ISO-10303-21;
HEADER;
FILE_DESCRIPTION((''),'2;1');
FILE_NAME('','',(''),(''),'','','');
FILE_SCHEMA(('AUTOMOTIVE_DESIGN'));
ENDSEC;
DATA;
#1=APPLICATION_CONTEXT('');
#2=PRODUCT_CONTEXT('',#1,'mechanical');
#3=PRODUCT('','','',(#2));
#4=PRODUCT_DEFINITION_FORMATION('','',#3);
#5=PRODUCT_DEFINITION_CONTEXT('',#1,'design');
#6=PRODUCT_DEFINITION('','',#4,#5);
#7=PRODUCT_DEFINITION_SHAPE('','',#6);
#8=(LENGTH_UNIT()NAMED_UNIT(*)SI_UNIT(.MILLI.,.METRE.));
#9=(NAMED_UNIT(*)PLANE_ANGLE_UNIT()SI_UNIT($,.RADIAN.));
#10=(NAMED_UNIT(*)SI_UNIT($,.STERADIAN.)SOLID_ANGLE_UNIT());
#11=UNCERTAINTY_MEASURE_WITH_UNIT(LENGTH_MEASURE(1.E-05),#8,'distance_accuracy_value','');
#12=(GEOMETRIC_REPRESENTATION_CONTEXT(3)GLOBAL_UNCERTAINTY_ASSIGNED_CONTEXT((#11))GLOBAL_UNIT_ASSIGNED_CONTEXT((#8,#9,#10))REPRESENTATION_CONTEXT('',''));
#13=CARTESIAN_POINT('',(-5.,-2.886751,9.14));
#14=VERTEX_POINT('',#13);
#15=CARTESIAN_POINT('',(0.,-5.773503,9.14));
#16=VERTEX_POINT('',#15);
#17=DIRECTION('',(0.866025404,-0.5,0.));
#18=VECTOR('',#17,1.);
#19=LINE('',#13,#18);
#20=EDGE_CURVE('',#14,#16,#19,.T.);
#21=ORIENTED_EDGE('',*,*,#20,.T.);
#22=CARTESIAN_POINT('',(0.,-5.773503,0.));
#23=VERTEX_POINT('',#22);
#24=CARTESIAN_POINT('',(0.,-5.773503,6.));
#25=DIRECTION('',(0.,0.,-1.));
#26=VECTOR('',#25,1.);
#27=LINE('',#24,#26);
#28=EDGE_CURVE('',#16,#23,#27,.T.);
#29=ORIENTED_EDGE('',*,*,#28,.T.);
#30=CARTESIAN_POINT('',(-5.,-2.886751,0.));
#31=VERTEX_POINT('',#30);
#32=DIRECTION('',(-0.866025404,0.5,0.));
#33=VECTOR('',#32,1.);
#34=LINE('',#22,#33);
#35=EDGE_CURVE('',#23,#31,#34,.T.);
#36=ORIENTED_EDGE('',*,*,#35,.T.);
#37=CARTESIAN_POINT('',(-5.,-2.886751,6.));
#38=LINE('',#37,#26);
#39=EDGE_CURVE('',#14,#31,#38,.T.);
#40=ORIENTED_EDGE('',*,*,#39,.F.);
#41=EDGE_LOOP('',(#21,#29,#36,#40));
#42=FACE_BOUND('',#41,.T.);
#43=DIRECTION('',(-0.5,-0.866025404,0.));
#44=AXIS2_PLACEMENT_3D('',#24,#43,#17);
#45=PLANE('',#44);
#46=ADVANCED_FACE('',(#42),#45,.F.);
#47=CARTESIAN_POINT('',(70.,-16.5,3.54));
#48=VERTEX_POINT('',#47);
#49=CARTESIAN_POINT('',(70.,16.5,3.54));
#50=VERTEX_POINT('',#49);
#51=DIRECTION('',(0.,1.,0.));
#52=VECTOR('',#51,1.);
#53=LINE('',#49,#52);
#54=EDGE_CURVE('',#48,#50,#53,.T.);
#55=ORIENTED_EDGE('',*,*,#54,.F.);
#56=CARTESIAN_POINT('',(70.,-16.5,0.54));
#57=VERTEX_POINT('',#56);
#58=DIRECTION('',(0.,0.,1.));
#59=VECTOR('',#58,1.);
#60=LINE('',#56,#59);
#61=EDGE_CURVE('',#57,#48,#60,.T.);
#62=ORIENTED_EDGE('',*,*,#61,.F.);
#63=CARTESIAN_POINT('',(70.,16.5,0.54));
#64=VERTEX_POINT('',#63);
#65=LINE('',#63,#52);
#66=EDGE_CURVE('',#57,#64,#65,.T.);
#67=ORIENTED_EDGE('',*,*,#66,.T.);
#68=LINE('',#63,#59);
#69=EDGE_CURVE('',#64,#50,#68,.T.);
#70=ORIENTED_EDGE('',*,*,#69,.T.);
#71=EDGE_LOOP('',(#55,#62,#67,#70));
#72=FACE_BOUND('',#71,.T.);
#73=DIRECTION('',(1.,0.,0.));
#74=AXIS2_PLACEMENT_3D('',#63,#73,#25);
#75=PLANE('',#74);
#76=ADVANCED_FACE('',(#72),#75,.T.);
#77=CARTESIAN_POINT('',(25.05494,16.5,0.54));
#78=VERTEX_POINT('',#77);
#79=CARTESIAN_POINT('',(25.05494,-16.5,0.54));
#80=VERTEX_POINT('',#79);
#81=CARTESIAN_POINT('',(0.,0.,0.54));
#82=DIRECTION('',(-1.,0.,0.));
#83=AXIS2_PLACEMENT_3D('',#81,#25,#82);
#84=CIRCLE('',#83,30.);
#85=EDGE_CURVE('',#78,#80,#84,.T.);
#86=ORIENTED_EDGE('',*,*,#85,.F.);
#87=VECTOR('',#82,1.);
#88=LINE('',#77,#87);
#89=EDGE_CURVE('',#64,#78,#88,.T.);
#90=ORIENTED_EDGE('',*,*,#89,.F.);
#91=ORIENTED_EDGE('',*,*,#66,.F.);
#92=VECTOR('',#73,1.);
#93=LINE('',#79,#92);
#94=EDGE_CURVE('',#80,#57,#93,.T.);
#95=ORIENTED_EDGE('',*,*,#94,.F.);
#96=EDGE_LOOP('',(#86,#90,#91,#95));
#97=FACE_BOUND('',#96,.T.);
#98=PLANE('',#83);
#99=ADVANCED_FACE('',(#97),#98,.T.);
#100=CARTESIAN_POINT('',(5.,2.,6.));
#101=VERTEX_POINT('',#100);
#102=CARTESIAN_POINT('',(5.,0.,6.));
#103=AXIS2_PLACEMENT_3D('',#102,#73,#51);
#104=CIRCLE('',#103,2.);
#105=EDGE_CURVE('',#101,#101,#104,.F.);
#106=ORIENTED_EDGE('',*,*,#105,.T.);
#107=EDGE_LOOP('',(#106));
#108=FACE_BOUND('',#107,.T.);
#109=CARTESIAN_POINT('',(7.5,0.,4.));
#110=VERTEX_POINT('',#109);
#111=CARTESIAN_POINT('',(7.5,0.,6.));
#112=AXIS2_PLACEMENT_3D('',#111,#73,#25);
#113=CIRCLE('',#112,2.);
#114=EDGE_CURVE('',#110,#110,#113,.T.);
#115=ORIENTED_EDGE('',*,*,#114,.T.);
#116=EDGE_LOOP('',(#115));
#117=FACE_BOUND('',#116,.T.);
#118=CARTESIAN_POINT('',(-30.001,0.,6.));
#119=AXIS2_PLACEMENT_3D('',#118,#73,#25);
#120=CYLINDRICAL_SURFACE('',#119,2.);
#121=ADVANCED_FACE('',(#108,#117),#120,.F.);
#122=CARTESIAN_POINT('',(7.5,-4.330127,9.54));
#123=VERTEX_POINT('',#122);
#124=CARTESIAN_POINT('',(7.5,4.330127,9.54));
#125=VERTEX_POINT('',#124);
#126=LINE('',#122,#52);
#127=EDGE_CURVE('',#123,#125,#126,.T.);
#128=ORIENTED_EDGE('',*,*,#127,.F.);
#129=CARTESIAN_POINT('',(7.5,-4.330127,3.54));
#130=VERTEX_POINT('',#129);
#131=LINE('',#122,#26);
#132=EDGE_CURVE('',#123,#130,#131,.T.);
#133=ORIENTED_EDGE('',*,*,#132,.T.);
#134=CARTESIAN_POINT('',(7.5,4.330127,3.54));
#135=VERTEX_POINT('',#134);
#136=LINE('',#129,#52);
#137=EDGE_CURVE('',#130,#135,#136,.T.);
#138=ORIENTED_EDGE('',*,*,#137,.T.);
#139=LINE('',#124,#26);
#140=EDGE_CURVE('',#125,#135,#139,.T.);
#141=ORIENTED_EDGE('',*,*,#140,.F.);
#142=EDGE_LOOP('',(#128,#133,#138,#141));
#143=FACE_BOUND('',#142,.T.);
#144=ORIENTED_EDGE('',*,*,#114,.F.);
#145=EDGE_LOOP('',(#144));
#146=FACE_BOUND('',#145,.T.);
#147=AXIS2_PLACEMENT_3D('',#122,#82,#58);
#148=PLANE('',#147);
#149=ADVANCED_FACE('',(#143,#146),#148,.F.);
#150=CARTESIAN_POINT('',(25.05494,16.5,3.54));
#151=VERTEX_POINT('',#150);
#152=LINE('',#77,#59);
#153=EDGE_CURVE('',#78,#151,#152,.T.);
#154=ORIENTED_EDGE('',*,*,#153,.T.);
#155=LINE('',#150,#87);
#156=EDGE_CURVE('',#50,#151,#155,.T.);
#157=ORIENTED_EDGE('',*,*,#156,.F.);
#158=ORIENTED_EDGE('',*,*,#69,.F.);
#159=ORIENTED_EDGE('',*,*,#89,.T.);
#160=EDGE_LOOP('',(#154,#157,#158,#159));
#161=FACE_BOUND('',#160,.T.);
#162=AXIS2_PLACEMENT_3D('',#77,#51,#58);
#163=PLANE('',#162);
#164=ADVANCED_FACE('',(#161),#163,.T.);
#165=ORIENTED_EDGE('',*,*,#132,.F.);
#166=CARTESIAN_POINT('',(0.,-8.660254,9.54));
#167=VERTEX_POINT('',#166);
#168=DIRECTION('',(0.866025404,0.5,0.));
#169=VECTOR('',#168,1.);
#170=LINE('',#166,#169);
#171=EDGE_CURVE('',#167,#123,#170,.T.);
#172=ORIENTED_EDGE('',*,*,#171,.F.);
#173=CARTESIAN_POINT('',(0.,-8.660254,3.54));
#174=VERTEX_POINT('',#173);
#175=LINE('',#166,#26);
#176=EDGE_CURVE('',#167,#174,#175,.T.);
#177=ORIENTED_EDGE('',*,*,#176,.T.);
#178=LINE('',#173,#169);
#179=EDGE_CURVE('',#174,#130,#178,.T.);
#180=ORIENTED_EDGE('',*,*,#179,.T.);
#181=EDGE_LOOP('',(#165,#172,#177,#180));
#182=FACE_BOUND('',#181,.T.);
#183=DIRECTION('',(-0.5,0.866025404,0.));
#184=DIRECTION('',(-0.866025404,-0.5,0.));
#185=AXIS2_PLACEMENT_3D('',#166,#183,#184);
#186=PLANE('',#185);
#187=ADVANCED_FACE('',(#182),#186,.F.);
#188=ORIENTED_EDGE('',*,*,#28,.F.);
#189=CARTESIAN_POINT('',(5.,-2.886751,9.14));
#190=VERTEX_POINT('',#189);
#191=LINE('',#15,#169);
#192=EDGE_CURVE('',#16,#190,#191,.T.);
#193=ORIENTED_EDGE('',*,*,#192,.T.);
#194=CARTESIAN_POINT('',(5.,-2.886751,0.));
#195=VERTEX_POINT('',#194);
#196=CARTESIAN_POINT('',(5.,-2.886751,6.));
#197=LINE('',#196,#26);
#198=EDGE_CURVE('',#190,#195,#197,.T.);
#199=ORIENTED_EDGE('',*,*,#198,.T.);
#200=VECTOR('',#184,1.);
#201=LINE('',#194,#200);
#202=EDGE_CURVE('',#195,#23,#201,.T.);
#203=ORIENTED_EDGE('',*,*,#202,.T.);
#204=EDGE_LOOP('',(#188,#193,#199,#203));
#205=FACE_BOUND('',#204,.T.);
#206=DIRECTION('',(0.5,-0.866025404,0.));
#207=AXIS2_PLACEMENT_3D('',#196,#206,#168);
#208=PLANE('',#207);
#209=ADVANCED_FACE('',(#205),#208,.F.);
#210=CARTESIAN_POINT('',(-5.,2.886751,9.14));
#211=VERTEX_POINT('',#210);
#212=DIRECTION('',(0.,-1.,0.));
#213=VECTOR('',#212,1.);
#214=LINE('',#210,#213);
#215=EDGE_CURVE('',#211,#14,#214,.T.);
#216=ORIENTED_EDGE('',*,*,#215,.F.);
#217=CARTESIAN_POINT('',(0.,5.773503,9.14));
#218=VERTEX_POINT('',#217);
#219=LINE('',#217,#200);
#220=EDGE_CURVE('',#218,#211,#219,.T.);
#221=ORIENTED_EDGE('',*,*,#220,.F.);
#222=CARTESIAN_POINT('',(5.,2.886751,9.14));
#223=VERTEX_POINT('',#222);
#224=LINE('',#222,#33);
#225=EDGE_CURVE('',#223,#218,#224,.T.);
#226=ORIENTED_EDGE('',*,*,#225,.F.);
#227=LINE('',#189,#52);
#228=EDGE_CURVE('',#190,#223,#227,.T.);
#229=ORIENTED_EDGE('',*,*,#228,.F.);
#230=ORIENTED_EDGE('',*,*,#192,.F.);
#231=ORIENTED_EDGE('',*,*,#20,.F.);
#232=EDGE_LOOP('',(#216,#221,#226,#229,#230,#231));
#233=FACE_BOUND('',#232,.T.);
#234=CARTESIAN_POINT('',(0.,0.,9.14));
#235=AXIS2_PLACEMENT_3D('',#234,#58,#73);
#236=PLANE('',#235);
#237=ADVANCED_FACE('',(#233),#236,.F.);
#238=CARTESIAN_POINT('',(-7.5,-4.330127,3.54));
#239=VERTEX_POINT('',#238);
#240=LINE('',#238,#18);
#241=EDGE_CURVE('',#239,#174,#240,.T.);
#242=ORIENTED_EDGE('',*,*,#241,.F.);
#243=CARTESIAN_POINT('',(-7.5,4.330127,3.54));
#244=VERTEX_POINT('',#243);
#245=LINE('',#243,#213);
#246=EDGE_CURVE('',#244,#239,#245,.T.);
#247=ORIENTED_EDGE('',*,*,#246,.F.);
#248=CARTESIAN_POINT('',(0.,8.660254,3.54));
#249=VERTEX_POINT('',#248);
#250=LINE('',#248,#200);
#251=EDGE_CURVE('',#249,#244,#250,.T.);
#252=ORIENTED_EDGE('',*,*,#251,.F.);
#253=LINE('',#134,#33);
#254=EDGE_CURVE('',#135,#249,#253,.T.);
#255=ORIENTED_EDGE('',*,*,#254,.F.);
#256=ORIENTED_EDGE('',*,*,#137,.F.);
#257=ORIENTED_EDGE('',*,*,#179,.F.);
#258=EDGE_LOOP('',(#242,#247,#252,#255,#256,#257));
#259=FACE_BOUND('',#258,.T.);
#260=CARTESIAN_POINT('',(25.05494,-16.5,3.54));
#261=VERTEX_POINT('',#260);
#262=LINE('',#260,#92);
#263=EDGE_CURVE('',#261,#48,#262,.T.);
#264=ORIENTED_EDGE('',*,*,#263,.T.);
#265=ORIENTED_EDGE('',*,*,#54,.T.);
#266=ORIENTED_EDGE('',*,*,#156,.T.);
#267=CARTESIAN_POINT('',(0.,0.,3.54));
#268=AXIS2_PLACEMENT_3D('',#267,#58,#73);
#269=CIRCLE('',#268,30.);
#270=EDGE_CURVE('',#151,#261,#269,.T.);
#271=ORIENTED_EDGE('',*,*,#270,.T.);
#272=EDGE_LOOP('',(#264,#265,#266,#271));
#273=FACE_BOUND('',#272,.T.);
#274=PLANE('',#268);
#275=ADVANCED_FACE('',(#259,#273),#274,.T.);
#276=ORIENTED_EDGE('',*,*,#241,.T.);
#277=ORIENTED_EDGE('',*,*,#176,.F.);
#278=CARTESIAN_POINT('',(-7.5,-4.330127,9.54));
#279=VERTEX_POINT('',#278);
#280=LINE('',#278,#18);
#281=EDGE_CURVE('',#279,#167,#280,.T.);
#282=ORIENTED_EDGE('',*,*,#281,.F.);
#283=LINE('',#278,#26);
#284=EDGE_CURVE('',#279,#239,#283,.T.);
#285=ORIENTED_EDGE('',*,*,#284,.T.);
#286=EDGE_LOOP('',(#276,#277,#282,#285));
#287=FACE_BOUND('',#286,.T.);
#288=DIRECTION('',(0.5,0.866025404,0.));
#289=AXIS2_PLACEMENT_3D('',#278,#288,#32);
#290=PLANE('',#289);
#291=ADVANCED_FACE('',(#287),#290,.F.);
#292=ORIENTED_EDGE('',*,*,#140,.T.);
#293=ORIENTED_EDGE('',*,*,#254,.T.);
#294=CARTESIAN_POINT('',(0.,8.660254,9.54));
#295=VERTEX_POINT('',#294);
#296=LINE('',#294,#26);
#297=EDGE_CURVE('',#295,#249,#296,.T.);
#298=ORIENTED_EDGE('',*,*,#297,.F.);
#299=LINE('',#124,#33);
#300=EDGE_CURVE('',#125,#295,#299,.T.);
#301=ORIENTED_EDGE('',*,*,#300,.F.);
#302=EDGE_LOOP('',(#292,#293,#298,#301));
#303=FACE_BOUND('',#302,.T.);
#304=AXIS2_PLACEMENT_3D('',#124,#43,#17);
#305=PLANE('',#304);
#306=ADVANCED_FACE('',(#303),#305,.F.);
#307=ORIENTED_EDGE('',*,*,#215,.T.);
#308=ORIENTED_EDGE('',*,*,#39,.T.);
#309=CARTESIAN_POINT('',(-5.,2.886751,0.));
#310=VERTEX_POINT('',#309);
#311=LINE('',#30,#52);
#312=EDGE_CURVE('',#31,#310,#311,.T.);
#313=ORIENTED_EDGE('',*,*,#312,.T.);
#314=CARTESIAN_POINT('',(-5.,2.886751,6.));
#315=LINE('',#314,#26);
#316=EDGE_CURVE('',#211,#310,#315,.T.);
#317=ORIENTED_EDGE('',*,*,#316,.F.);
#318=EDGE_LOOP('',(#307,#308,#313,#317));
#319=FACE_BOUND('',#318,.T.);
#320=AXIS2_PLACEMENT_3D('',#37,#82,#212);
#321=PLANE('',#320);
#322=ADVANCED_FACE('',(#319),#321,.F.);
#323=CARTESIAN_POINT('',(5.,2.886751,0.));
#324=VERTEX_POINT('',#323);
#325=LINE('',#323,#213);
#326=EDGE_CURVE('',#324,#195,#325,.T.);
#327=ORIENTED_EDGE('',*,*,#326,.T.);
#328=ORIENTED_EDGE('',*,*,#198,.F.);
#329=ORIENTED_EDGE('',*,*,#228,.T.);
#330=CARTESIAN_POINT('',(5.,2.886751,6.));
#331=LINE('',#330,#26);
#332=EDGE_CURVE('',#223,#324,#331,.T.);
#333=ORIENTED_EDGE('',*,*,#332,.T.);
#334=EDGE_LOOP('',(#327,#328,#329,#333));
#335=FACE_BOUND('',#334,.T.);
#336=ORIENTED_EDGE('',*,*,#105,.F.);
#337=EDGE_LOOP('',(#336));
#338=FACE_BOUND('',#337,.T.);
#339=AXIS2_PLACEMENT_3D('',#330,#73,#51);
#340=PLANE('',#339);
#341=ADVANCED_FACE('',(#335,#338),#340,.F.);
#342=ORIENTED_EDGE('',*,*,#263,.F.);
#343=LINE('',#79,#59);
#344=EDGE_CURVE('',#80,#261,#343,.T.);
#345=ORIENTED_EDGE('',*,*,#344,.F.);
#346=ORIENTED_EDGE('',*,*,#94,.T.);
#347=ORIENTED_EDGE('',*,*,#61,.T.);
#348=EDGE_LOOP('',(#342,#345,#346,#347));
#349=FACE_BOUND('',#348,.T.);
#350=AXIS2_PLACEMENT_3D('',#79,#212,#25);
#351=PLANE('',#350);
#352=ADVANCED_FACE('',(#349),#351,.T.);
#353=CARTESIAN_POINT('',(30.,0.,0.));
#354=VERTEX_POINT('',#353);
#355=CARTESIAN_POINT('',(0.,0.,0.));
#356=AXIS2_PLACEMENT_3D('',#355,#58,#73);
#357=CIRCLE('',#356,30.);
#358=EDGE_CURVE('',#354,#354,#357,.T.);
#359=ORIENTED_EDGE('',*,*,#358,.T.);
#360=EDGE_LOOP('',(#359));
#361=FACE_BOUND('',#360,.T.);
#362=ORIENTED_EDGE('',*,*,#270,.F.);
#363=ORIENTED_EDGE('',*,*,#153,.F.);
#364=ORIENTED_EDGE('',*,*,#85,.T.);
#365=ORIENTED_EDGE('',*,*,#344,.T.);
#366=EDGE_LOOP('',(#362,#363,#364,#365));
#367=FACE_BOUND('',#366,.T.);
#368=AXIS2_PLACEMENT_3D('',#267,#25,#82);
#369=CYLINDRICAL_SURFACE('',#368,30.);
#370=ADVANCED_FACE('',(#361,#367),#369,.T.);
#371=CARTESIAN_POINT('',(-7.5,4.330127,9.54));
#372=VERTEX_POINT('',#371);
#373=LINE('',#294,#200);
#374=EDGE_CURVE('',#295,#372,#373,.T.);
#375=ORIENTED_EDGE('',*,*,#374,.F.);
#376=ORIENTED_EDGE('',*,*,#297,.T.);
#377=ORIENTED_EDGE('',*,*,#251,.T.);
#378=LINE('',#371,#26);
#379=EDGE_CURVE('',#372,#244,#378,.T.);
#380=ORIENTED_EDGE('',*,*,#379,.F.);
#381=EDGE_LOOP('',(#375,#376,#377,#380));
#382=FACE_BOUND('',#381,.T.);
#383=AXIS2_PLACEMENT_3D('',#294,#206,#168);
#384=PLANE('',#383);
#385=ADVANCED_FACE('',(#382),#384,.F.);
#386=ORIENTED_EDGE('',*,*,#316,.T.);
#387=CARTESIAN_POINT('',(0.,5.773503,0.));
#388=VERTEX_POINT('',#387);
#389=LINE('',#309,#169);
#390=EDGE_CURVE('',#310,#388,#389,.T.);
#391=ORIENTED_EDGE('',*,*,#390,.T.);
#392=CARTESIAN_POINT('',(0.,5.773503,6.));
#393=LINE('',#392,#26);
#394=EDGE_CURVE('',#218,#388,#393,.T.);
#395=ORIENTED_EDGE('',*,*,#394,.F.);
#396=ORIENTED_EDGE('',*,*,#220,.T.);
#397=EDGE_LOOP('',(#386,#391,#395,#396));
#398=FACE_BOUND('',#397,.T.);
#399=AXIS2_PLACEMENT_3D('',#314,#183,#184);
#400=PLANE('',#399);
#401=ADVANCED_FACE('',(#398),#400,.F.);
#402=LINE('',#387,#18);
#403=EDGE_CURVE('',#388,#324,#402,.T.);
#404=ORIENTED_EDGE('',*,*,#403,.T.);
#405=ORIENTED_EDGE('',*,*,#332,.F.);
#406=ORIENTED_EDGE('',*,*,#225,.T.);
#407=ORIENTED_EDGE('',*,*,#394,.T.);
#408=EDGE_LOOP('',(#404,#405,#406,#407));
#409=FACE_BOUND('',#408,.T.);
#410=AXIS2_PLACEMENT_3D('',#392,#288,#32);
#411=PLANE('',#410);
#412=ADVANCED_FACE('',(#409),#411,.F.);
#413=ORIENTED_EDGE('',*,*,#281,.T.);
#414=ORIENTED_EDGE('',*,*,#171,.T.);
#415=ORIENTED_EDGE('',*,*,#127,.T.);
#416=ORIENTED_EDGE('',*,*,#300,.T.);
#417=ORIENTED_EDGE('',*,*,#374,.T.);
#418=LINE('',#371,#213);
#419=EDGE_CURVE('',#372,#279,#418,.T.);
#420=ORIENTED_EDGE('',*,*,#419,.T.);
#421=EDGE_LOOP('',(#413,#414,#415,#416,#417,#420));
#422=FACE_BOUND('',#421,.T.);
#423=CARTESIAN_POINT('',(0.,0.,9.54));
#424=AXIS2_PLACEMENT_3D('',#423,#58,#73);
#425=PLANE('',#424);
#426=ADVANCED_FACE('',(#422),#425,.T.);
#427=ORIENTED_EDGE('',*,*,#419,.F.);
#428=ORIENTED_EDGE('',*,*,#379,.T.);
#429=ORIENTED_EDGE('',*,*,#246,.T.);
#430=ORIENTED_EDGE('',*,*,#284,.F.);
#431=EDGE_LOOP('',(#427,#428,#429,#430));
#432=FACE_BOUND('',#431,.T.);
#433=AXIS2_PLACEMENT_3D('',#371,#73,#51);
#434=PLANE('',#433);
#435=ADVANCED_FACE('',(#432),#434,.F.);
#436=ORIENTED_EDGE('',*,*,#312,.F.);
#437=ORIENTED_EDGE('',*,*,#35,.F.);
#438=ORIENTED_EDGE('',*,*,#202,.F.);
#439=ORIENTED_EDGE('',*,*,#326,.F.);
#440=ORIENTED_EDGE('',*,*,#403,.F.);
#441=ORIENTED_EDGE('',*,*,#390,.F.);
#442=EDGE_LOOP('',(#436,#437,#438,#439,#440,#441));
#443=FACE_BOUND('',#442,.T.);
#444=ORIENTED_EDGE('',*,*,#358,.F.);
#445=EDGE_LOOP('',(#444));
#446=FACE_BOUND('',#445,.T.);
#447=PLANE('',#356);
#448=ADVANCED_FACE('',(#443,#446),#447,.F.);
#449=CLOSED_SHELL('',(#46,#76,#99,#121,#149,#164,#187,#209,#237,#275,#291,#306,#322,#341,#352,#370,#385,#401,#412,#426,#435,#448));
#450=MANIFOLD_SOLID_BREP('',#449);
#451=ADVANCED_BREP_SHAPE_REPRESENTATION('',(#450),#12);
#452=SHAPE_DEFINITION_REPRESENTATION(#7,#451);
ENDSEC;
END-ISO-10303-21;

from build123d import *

# Parameters (mm, degrees)
SKETCH1_R           = 30
BOSS_EXTRUDE1_DEPTH = 3.54
BOSS_EXTRUDE4_START = -3
BOSS_EXTRUDE4_DEPTH = 3
CUT_EXTRUDE3_DEPTH  = 6
BOSS_EXTRUDE5_DEPTH = 6
BOSS_EXTRUDE6_DEPTH = 0.4
CUT_EXTRUDE4_REACH  = 71.98
SKETCH12_R          = 2


with BuildPart() as part:
    # Sketch1 → Boss-Extrude1 (new body)
    with BuildSketch(Plane.XY):
        Circle(SKETCH1_R)
    extrude(amount=BOSS_EXTRUDE1_DEPTH)

    # Sketch4 → Boss-Extrude4 (add)
    with BuildSketch(Plane.XY.offset(3.54).offset(BOSS_EXTRUDE4_START)):
        with BuildLine():
            Line((25.054939633, 16.5), (70, 16.5))
            Line((70, 16.5), (70, -16.5))
            Line((70, -16.5), (25.054939633, -16.5))
            ThreePointArc((25.054939633, -16.5), (30, 0), (25.054939633, 16.5))
        make_face()
    extrude(amount=BOSS_EXTRUDE4_DEPTH)

    # Sketch9 → Cut-Extrude3 (cut)
    with BuildSketch(Plane(origin=(0, 0, 0), x_dir=(-1, 0, 0), z_dir=(0, 0, -1))):
        Polygon((0, 5.773502692), (-5, 2.886751346), (-5, -2.886751346), (0, -5.773502692), (5, -2.886751346), (5, 2.886751346), align=None)
    extrude(amount=-CUT_EXTRUDE3_DEPTH, mode=Mode.SUBTRACT)

    # Sketch10 → Boss-Extrude5 (add)
    with BuildSketch(Plane.XY.offset(3.54)):
        Polygon((0, 8.660254038), (-7.5, 4.330127019), (-7.5, -4.330127019), (0, -8.660254038), (7.5, -4.330127019), (7.5, 4.330127019), align=None)
        Polygon((0, 5.773502692), (-5, 2.886751346), (-5, -2.886751346), (0, -5.773502692), (5, -2.886751346), (5, 2.886751346), align=None, mode=Mode.SUBTRACT)
    extrude(amount=BOSS_EXTRUDE5_DEPTH)

    # Sketch11 → Boss-Extrude6 (add)
    with BuildSketch(Plane.XY.offset(9.54)):
        Polygon((0, 5.773502692), (-5, 2.886751346), (-5, -2.886751346), (0, -5.773502692), (5, -2.886751346), (5, 2.886751346), align=None)
    extrude(amount=-BOSS_EXTRUDE6_DEPTH)

    # Sketch12 → Cut-Extrude4 (cut, up to next)
    with BuildSketch(Plane(origin=(7.5, 0, 0), x_dir=(0, 0, -1), z_dir=(1, 0, 0)), mode=Mode.PRIVATE) as cut_extrude4_sk1:
        with Locations((-6, 0)):
            Circle(SKETCH12_R)
    cut_extrude4_tool1 = extrude(cut_extrude4_sk1.sketch, amount=-CUT_EXTRUDE4_REACH, mode=Mode.PRIVATE) & part.part
    add(cut_extrude4_tool1.solids().sort_by_distance((7.5, 0, 6))[0], mode=Mode.SUBTRACT)


solid = part.part
